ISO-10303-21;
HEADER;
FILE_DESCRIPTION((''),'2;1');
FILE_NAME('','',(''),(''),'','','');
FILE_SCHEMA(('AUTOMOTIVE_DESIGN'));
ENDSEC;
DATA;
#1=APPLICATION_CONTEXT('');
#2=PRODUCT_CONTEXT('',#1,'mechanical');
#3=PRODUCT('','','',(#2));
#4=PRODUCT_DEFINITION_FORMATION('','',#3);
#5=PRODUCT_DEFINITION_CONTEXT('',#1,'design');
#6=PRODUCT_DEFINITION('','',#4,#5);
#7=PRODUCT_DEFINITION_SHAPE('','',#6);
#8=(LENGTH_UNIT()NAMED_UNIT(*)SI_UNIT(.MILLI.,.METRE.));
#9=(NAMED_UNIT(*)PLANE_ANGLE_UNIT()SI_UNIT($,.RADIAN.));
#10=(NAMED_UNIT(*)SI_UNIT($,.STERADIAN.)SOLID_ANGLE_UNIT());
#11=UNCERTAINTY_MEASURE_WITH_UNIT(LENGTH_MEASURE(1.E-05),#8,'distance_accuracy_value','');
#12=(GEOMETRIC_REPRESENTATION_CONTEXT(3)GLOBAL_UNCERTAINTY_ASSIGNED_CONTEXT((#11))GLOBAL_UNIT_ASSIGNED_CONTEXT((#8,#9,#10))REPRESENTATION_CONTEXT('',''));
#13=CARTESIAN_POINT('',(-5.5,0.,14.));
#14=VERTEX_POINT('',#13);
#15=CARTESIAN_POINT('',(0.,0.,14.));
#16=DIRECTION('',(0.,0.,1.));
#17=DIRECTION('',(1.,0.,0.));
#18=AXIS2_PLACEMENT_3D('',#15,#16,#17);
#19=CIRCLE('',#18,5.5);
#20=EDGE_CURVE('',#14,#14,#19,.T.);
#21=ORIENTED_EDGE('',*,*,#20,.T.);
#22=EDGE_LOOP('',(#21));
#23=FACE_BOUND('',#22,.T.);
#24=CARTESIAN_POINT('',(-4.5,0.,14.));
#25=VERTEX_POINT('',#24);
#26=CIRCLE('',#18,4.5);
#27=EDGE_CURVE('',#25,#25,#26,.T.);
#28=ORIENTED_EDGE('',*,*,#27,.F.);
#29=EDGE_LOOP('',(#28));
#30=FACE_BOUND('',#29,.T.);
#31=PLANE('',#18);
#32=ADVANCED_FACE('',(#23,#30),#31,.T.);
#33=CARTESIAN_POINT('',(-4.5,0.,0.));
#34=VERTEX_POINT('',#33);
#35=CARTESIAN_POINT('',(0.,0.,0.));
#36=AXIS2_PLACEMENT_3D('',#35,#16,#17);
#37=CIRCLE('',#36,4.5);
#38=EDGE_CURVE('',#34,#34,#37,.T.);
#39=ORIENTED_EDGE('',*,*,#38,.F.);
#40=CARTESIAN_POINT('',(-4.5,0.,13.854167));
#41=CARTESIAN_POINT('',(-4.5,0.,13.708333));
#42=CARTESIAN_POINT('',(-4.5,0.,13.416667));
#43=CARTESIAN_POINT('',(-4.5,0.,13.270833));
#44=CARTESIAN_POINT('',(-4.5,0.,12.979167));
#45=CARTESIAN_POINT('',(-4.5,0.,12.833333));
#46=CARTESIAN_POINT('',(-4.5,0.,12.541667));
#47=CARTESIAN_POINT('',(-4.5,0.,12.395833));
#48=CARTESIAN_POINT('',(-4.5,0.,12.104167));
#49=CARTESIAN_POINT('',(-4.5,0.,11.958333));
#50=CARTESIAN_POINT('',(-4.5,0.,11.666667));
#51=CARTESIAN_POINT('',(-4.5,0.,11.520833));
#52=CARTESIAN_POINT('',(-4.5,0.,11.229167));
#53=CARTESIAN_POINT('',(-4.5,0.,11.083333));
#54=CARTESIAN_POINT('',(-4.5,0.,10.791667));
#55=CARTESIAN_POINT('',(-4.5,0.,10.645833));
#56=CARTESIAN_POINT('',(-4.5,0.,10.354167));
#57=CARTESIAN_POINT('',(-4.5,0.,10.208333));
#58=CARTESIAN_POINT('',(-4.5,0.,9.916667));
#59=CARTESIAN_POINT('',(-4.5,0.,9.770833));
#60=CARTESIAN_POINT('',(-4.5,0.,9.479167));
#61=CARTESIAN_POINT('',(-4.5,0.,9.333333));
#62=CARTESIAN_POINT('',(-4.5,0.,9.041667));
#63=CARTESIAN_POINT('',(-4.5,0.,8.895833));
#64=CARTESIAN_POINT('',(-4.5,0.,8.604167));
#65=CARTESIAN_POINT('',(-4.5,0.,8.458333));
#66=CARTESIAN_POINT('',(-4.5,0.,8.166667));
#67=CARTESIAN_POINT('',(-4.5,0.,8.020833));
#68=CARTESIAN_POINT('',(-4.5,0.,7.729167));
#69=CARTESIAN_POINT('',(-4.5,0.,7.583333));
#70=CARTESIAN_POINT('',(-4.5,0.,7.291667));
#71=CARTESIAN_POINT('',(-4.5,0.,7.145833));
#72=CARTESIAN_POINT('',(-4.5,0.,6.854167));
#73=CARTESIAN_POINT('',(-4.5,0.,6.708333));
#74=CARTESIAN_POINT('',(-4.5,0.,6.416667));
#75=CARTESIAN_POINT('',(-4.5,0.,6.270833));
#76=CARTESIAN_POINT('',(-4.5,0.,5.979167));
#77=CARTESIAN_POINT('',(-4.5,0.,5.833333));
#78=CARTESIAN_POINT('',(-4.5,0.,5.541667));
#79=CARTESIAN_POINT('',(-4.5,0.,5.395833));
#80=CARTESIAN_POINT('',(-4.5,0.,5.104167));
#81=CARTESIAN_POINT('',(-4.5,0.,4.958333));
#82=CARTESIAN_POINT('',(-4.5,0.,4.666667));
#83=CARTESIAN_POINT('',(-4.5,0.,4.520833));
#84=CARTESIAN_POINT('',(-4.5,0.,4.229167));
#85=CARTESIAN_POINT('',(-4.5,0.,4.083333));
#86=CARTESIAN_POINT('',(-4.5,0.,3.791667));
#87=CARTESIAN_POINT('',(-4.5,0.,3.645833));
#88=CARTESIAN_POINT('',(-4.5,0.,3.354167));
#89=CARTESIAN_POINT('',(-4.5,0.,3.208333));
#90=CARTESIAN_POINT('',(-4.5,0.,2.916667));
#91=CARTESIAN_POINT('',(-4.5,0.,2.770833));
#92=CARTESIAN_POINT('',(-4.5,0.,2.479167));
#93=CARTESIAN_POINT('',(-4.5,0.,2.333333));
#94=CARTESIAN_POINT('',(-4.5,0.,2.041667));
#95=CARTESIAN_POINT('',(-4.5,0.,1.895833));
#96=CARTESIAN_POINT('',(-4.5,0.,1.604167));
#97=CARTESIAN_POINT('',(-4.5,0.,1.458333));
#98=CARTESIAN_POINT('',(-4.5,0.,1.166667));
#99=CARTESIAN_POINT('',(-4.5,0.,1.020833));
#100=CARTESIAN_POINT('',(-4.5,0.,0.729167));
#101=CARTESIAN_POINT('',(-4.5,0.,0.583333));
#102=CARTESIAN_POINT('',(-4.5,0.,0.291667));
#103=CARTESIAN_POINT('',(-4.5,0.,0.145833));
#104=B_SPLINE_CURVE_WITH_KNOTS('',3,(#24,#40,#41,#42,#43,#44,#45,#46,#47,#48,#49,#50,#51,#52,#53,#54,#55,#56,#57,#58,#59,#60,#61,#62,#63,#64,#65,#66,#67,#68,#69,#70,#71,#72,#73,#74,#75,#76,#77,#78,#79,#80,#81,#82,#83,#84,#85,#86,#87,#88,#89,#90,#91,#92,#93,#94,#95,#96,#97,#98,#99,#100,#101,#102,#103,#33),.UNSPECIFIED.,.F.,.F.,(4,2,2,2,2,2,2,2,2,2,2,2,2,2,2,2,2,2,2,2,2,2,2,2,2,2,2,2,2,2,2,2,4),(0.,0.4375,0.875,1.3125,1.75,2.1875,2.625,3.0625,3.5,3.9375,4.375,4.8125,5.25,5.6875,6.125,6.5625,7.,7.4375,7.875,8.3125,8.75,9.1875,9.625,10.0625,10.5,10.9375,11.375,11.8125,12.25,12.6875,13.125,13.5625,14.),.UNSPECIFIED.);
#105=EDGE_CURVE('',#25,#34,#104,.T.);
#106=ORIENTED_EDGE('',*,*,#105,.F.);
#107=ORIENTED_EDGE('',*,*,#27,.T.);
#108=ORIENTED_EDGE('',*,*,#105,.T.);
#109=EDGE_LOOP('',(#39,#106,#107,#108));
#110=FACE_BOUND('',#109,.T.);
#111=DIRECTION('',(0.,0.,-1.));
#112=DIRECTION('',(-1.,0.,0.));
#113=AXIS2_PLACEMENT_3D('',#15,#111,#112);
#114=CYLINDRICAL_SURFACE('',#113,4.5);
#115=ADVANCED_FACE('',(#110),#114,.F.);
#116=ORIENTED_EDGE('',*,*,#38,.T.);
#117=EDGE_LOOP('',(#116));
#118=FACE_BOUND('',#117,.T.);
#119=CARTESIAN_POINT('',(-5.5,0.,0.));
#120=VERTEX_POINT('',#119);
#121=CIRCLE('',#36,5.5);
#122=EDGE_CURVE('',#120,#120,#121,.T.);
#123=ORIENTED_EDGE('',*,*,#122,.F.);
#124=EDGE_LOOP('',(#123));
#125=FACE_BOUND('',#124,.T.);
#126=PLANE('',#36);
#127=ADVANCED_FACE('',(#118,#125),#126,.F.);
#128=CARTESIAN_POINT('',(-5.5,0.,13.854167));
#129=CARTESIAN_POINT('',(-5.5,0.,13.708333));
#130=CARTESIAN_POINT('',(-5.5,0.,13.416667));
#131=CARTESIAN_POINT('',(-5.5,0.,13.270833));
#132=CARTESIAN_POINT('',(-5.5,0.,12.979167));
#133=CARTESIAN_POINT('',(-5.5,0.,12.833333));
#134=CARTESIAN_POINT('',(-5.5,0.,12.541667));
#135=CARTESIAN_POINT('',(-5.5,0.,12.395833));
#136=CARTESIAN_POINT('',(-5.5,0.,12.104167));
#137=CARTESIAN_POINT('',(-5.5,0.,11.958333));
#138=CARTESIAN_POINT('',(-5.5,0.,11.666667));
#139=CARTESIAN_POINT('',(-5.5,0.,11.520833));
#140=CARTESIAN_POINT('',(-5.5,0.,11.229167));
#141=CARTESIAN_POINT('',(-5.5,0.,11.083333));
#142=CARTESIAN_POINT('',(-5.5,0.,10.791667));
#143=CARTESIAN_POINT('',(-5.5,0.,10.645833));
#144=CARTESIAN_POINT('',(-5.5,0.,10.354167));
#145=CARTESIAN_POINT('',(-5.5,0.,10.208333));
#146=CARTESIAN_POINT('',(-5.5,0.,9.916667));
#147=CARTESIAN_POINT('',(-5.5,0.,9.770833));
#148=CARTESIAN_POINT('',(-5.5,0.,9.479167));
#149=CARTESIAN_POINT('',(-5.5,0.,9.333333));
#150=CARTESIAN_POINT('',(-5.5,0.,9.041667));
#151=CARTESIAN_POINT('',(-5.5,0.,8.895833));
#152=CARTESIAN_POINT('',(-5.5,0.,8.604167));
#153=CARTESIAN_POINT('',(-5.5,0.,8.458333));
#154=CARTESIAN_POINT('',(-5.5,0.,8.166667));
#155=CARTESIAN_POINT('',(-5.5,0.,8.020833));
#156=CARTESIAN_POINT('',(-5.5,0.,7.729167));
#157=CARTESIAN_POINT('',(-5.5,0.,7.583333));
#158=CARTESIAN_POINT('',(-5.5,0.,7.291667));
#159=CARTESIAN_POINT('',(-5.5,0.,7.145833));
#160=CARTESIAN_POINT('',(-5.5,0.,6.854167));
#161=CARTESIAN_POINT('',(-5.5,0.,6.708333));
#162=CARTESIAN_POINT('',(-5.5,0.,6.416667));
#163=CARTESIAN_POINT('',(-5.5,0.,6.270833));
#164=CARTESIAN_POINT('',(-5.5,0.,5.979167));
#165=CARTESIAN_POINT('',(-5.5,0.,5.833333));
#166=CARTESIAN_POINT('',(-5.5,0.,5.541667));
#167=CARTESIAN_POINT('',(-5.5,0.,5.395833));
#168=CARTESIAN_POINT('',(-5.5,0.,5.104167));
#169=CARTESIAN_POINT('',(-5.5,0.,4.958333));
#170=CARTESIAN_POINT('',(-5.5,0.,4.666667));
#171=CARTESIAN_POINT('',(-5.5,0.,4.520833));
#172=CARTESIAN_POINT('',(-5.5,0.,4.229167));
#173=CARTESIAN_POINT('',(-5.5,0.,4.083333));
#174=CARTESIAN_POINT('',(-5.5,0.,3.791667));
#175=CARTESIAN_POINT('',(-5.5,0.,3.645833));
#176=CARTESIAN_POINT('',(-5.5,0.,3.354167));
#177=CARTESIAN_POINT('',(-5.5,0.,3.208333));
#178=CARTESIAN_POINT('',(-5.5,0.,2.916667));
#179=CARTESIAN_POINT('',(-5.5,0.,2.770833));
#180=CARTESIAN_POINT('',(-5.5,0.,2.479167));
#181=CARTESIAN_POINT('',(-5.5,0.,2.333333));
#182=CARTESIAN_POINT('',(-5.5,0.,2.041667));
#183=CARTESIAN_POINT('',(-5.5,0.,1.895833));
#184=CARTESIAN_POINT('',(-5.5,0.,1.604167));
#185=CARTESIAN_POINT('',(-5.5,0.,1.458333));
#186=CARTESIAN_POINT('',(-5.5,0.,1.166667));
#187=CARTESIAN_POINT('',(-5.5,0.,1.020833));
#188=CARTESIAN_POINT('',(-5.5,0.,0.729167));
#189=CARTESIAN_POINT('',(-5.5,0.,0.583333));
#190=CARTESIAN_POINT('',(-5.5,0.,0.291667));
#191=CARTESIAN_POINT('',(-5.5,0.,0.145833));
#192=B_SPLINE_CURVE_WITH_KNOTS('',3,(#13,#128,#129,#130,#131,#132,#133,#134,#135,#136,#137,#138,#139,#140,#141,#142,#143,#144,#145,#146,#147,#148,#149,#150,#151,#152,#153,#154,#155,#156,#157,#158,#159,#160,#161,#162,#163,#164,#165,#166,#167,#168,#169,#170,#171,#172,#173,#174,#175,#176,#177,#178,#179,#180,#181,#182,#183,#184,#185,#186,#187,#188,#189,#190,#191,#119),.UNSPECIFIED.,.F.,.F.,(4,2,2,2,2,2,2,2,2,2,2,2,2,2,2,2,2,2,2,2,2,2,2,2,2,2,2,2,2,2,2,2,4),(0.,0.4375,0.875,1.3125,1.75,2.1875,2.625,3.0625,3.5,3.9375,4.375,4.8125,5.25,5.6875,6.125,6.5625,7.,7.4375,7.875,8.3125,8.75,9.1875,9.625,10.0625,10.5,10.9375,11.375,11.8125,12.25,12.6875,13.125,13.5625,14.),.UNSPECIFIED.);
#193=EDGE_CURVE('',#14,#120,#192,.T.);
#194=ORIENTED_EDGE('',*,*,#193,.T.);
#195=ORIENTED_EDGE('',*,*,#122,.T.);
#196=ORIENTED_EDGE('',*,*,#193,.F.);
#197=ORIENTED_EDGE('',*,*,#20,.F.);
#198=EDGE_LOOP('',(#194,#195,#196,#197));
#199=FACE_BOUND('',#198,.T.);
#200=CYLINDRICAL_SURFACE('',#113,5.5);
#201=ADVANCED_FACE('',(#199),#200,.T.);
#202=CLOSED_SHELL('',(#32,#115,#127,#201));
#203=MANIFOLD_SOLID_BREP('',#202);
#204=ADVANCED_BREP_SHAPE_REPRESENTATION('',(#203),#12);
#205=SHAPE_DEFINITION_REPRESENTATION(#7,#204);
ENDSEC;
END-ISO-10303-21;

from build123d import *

# Parameters (mm, degrees)
BODY_SKETCH_R      = 5.5
BODY_SKETCH_R_2    = 4.5
BODY_EXTRUDE_DEPTH = 14


with BuildPart() as part:
    # Body Sketch → Body Extrude (new body)
    with BuildSketch(Plane.XY):
        with Locations(Location((0, 0, 0), (0, 0, 180))):
            Circle(BODY_SKETCH_R)
        with Locations(Location((0, 0, 0), (0, 0, 180))):
            Circle(BODY_SKETCH_R_2, mode=Mode.SUBTRACT)
    extrude(amount=BODY_EXTRUDE_DEPTH)


solid = part.part
